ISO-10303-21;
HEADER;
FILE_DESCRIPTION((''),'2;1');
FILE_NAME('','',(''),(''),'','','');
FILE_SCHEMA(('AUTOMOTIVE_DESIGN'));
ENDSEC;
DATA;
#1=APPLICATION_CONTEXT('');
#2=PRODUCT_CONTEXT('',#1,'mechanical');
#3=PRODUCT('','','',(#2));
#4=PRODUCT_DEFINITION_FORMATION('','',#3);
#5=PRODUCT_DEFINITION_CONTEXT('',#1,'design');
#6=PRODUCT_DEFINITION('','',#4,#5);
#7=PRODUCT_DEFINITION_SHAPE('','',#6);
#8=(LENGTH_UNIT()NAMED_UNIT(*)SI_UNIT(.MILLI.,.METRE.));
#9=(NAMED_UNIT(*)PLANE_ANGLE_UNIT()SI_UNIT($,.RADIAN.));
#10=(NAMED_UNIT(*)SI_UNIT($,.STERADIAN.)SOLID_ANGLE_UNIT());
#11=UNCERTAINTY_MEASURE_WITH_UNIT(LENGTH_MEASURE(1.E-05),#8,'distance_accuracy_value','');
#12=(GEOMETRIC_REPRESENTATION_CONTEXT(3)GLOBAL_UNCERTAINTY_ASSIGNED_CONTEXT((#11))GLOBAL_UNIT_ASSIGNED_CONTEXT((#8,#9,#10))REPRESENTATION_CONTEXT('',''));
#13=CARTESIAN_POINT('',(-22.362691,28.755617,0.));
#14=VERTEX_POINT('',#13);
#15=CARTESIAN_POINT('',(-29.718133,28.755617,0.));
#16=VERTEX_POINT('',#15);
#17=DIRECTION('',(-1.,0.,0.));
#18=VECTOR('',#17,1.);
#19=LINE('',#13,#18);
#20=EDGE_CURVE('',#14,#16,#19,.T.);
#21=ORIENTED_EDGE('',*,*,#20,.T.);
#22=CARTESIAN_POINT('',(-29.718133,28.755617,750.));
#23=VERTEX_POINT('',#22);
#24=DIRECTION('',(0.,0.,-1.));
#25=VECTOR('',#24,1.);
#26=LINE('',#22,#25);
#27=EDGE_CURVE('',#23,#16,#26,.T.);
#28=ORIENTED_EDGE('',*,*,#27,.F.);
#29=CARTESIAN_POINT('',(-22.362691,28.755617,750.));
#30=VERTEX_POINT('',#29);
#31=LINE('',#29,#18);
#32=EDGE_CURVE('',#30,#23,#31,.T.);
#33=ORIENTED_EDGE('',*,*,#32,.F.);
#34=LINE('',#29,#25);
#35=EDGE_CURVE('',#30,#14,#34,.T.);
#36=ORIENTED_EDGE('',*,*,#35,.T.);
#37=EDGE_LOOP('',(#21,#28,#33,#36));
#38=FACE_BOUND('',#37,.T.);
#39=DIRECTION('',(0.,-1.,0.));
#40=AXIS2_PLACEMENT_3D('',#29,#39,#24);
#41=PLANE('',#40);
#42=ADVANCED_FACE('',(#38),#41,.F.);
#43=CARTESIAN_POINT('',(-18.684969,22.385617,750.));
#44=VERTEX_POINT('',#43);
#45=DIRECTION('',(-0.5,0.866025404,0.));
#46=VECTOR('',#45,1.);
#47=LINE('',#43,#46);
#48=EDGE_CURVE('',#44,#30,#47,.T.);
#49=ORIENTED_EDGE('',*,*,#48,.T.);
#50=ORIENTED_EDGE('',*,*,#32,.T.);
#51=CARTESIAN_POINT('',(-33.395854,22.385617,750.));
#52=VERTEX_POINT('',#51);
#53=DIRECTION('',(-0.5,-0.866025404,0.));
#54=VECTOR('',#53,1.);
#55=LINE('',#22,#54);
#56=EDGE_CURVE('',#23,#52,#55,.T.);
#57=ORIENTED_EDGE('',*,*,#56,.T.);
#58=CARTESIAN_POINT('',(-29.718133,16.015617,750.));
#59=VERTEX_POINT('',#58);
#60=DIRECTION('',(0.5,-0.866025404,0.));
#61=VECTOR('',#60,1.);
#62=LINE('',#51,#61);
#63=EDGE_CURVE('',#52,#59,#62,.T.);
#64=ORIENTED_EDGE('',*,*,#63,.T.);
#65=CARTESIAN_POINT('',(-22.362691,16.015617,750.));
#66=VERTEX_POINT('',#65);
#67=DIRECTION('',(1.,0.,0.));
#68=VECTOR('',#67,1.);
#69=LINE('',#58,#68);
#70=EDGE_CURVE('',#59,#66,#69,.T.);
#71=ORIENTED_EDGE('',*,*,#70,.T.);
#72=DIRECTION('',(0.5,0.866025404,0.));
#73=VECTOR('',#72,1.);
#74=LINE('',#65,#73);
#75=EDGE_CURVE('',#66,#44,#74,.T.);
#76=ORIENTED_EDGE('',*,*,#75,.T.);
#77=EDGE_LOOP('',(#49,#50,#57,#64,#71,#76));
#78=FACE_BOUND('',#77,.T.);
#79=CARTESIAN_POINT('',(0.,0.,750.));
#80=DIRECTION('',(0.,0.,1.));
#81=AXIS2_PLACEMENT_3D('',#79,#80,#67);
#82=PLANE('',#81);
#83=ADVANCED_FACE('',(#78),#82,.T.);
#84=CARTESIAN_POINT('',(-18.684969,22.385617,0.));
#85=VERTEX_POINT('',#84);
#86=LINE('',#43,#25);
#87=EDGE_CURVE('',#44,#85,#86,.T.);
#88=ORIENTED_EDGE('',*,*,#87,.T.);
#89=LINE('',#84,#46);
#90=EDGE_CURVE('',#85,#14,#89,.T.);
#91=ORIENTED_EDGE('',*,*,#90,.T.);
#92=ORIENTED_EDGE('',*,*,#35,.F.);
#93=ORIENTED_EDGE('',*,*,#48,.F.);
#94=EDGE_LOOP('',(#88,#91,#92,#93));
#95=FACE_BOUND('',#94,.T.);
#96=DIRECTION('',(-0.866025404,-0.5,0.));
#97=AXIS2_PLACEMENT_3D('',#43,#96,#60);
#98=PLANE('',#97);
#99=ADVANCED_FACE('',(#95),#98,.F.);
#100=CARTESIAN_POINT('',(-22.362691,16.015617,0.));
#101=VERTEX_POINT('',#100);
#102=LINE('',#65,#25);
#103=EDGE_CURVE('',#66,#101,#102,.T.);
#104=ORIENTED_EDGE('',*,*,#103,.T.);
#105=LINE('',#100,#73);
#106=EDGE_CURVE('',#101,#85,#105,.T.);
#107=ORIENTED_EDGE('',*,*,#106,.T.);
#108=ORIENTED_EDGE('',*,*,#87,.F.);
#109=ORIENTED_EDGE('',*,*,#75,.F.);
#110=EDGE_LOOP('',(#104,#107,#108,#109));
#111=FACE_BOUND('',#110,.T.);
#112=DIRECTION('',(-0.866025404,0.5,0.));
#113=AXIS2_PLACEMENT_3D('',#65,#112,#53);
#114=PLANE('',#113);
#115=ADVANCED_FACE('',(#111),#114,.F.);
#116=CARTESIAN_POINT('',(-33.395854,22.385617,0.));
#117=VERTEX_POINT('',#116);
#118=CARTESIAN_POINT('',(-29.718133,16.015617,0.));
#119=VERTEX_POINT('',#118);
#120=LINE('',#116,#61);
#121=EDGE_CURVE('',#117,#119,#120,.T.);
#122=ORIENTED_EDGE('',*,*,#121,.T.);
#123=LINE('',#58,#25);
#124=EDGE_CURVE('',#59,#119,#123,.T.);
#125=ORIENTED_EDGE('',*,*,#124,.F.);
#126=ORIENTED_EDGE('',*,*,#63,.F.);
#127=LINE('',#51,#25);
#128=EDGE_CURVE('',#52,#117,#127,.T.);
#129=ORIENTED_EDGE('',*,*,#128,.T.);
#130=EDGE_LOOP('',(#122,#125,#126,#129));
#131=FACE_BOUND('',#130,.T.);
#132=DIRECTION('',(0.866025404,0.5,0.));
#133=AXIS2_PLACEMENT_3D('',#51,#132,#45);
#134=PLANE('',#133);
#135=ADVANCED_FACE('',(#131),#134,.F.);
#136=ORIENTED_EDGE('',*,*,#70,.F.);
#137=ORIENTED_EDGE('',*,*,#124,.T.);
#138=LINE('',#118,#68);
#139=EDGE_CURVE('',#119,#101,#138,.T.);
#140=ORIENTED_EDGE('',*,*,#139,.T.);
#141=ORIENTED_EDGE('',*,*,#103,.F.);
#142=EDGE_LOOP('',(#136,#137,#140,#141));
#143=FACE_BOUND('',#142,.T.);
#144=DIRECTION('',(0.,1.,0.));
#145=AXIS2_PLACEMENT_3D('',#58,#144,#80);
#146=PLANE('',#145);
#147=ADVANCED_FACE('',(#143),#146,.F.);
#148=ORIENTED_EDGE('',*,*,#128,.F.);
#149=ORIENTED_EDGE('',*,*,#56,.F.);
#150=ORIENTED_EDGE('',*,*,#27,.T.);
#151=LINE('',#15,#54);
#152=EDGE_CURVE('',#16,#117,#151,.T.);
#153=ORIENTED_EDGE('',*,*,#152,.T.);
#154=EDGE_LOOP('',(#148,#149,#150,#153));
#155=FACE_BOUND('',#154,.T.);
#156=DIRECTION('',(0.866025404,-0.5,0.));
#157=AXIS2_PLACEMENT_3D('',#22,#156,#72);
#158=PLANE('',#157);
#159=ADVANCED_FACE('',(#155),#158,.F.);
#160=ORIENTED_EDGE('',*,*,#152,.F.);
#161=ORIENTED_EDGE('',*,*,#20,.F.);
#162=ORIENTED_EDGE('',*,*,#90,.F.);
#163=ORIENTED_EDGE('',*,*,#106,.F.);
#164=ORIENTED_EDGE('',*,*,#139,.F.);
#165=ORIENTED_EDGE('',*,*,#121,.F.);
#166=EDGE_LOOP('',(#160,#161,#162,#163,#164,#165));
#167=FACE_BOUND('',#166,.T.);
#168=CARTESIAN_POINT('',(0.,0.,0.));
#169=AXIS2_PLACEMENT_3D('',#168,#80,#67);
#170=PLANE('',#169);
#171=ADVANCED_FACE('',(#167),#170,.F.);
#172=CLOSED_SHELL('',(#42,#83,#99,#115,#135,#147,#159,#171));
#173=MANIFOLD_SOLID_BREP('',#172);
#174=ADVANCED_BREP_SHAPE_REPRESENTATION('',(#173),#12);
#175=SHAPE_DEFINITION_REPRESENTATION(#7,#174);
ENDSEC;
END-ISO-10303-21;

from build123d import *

# Parameters (mm, degrees)
EXTRUDE_1_DEPTH = 750


with BuildPart() as part:
    # 草图1 → 凸台-拉伸1 (new body)
    with BuildSketch(Plane.XY):
        Polygon((-18.684969359, 22.385617151), (-22.362690573, 28.755617151), (-29.718133003, 28.755617151), (-33.395854218, 22.385617151), (-29.718133003, 16.015617151), (-22.362690573, 16.015617151), align=None)
    extrude(amount=EXTRUDE_1_DEPTH)


solid = part.part
